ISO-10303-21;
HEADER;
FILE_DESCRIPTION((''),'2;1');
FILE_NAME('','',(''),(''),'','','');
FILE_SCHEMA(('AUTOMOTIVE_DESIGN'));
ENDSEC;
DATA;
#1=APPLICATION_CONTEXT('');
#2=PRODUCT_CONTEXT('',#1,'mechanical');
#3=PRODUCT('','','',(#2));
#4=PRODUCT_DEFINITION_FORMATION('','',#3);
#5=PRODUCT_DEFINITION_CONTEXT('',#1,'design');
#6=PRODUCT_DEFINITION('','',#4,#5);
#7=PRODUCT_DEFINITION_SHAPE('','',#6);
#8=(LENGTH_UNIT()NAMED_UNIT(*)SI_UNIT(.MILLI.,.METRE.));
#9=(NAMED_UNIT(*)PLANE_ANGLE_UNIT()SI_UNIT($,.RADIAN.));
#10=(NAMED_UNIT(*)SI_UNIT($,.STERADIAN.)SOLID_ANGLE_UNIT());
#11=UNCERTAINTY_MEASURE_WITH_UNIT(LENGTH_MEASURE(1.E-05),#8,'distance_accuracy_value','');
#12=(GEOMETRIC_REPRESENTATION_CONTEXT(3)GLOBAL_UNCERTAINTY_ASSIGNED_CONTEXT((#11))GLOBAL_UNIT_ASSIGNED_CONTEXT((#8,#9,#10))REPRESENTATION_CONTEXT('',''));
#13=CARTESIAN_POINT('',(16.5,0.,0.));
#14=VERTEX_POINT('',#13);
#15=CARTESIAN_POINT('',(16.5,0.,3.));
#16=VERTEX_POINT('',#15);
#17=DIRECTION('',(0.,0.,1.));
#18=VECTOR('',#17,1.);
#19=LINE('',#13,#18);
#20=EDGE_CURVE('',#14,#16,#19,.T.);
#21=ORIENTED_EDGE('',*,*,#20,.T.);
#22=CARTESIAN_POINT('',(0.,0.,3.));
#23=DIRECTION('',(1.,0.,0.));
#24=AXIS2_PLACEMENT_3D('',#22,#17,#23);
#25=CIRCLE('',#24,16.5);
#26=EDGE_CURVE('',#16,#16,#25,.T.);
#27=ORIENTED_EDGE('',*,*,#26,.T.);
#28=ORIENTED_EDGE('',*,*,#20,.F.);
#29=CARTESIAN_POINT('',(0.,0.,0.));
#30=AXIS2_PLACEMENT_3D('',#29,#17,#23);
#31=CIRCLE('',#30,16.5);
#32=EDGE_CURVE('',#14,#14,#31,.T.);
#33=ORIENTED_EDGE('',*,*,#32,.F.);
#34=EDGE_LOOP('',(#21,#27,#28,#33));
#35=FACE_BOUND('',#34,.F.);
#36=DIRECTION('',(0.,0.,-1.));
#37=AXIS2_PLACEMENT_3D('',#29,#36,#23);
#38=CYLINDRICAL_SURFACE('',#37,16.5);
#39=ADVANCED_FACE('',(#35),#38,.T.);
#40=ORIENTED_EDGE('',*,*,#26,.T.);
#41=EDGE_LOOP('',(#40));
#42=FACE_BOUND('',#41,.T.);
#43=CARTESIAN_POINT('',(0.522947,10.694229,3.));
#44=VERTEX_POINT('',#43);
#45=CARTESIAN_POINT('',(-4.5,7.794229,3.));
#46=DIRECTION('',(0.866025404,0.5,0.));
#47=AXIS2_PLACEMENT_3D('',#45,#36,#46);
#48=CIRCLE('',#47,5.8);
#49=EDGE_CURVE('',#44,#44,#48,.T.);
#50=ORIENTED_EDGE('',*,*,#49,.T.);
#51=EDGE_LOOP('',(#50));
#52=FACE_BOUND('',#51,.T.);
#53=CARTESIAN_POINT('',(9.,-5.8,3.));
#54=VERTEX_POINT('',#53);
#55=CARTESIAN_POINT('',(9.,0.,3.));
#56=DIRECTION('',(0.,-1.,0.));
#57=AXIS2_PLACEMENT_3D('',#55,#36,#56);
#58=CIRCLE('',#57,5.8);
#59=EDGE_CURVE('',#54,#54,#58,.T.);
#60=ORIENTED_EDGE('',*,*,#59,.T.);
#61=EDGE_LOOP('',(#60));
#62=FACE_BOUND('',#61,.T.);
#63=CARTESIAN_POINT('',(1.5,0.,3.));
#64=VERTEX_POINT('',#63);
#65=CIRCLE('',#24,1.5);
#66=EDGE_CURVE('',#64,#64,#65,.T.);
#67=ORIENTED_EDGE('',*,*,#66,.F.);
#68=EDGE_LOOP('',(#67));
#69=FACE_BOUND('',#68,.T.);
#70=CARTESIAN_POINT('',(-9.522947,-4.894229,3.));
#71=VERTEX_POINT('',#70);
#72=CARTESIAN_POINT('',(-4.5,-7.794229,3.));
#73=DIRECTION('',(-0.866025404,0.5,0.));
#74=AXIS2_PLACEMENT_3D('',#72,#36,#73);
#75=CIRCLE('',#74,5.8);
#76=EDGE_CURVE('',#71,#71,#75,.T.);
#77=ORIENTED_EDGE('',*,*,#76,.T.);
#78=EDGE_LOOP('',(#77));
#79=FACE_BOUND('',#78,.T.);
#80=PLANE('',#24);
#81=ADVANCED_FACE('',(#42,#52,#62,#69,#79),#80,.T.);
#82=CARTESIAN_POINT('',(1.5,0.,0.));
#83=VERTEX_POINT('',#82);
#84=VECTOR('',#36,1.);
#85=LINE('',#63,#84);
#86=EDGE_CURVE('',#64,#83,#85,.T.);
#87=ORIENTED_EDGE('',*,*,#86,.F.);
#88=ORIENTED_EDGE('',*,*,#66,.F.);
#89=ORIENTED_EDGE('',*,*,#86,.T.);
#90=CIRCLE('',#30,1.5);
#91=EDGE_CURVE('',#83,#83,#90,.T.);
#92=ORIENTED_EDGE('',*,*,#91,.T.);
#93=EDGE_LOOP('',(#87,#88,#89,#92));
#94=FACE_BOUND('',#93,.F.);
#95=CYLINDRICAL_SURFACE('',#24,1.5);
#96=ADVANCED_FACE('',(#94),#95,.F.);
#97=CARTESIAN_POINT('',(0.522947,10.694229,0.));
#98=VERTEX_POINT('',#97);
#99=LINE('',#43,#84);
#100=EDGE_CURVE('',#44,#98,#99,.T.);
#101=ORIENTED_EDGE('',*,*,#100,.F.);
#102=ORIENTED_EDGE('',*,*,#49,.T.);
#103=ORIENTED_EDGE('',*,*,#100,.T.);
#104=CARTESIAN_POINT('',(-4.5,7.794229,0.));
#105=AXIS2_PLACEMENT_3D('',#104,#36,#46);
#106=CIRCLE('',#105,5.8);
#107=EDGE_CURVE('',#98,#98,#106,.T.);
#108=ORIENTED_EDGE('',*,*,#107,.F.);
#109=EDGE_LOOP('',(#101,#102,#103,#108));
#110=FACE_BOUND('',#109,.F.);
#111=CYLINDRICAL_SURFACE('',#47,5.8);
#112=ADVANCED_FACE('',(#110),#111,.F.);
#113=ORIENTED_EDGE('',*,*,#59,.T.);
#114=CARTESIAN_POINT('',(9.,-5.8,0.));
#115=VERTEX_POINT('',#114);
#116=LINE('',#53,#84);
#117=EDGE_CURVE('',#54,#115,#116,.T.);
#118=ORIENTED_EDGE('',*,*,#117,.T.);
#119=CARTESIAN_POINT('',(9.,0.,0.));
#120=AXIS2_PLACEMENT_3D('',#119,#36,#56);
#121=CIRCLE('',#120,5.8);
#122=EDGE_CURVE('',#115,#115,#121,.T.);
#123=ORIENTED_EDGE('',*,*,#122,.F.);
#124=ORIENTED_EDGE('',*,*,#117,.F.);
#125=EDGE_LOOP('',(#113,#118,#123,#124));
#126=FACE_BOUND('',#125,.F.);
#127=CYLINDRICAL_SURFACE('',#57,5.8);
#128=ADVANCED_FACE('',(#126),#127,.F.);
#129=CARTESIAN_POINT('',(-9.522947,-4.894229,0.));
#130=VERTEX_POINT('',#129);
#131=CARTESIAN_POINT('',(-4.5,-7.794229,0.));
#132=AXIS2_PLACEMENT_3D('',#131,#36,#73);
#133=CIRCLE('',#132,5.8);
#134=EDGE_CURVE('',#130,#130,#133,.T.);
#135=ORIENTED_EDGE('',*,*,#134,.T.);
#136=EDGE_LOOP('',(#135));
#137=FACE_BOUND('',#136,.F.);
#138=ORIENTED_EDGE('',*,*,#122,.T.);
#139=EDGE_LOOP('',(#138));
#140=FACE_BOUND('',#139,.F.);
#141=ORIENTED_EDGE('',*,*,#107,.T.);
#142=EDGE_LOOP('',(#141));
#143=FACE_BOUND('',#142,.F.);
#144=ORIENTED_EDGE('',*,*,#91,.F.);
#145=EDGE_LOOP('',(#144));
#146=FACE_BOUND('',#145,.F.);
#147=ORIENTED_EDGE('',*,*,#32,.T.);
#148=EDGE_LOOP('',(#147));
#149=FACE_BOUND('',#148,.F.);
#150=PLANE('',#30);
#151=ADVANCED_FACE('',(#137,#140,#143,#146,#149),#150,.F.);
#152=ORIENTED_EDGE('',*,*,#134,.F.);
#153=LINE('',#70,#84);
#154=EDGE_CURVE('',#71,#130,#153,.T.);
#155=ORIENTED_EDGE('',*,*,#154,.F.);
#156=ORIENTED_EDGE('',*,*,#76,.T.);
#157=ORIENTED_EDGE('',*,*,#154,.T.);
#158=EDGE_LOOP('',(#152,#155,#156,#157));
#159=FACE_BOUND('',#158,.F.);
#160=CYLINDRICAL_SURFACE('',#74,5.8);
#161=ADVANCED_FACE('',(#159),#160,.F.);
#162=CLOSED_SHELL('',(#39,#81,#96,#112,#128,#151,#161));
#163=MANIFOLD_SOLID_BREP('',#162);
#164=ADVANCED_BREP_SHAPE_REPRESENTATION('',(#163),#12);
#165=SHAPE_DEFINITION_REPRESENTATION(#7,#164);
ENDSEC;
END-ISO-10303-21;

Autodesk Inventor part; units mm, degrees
ref_plane "YZ Plane" through (0, 0, 0) normal (1, 0, 0) x (0, 1, 0)
ref_plane "XZ Plane" through (0, 0, 0) normal (0, 1, 0) x (-1, 0, 0)
ref_plane "XY Plane" through (0, 0, 0) normal (0, 0, 1) x (1, 0, 0)
sketch "Sketch1" plane through (0, 0, 0) normal (0, 0, 1) x (1, 0, 0)
  circle A0 centre (0, 0) radius 16.5
  dimension "d0" = 33
extrude "Extrusion1" add sketch "Sketch1" along normal blind 3
sketch "Sketch2" plane through (0, 0, 3) normal (0, 0, 1) x (1, 0, 0)
  circle A0 centre (0, 0) radius 9 construction
  point P0 (9, 0)
  dimension "d3" = 18
hole "Hole1" at (9, 0, 3) direction (0, 0, -1) diameter 11.6 end through all
pattern_circular "Circular Pattern1" count 3 over 360 about axis through (0, 0, 0) along (0, 0, 1) of "Hole1"
sketch "Sketch3" plane through (0, 0, 3) normal (0, 0, 1) x (1, 0, 0)
  circle A0 centre (0, 0) radius 1.5
  dimension "d14" = 3
extrude "Extrusion2" cut sketch "Sketch3" against normal through all
thread "Thread1" size "M3x0.5" class "6H" standard "ANSI Metric M Profile" full length
properties part number "Electrode Aligning Disk" material "Stainless Steel"
